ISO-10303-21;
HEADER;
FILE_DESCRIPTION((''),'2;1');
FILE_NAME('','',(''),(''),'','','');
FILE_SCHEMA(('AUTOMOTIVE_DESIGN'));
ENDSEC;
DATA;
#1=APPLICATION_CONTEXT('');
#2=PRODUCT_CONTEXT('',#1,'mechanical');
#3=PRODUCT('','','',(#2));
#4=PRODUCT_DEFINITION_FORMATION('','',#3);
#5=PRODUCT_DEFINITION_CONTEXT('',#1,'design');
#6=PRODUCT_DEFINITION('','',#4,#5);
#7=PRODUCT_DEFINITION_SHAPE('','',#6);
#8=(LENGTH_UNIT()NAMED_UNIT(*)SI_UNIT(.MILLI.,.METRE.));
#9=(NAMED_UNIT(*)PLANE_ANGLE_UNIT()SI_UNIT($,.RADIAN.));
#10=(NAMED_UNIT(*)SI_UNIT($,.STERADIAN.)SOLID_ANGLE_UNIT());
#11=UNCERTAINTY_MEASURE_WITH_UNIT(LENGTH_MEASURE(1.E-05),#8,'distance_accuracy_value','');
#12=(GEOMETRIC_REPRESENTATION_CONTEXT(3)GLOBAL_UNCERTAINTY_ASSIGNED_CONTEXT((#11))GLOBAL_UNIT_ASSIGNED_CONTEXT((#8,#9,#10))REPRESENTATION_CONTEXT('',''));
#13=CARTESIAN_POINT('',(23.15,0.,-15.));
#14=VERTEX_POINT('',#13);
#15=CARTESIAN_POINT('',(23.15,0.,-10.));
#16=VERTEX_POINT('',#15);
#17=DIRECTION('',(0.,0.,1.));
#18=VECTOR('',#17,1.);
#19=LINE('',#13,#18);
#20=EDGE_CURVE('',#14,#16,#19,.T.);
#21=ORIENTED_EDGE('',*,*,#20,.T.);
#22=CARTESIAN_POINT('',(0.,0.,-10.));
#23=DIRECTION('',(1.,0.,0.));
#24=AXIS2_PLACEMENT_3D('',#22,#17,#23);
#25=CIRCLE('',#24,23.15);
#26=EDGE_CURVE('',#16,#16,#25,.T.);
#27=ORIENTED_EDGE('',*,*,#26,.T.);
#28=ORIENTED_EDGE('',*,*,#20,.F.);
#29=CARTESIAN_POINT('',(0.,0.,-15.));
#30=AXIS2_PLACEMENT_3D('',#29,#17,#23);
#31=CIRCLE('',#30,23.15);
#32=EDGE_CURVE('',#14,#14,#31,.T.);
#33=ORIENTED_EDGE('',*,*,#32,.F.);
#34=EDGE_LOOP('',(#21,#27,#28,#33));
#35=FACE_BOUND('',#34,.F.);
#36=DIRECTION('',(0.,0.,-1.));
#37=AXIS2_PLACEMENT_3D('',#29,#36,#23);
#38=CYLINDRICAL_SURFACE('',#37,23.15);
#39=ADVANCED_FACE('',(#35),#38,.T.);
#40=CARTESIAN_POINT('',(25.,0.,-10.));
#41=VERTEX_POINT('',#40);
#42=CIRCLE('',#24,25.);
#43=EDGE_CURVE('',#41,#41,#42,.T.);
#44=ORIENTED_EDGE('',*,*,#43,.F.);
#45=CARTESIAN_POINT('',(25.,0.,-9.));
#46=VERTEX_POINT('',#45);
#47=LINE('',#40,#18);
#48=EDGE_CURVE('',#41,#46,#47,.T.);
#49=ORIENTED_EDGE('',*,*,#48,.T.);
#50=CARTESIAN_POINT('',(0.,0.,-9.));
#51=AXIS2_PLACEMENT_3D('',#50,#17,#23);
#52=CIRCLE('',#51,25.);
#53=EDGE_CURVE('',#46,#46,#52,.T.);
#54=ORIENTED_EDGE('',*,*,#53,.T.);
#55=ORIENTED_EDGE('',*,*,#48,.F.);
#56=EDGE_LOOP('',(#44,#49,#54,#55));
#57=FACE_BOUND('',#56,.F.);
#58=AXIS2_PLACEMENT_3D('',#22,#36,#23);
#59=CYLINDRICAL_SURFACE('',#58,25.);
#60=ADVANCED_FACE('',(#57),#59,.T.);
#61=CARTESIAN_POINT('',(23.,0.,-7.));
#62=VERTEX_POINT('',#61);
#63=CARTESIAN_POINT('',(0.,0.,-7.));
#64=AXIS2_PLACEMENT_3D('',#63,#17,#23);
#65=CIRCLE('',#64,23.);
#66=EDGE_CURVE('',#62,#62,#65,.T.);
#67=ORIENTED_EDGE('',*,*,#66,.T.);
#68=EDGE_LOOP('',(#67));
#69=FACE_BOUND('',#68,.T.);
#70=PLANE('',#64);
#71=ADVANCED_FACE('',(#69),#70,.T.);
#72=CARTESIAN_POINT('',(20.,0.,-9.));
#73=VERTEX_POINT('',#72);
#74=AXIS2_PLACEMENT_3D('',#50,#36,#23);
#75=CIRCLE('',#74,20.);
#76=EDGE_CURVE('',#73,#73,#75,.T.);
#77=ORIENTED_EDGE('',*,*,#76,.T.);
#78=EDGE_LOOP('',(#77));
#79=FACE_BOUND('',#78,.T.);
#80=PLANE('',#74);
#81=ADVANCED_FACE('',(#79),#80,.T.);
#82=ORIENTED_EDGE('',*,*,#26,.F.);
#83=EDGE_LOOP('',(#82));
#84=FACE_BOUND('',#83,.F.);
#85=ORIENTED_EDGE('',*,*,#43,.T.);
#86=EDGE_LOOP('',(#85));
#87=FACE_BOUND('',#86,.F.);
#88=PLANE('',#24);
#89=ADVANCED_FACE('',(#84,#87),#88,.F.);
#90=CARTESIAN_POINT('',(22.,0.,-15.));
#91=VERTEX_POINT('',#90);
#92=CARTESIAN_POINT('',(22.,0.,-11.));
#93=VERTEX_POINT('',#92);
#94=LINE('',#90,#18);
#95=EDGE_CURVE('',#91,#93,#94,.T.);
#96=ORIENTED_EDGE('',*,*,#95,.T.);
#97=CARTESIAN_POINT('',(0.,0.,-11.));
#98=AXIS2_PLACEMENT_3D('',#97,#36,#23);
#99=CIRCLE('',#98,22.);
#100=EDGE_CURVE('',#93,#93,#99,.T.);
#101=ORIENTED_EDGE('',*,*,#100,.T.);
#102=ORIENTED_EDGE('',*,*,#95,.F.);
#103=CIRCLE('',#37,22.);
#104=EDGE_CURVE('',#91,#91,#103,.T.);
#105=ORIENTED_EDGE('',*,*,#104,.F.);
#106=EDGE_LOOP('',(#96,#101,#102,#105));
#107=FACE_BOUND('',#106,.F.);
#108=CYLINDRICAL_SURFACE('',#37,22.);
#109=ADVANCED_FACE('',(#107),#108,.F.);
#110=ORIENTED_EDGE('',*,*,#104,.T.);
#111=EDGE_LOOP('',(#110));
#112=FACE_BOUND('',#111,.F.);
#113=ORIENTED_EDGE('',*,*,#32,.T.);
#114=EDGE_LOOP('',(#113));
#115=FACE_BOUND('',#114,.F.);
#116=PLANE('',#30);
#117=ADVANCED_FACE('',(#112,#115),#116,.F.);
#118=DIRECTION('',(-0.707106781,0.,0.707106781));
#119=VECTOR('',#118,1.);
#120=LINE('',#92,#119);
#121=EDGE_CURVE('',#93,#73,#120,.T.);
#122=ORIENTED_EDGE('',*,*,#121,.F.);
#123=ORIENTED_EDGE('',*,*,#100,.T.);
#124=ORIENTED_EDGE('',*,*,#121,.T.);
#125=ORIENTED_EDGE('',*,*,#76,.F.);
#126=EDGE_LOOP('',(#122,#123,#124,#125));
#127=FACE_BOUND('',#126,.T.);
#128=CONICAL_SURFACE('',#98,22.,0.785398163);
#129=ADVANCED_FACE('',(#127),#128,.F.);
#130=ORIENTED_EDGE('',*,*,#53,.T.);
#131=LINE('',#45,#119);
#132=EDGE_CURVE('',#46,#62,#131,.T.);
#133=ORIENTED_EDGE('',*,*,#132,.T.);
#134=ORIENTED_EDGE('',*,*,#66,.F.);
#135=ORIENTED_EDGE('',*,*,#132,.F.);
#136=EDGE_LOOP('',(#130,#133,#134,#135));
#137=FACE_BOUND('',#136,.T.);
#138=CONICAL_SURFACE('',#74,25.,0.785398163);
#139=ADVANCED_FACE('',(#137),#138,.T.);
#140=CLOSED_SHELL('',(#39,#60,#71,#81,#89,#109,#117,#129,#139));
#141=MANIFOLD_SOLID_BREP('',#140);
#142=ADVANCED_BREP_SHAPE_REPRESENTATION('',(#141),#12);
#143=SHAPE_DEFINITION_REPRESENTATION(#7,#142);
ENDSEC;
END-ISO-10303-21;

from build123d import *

# Parameters (mm, degrees)
SKETCH_R        = 23.15
PAD_DEPTH       = 5
SKETCH001_R     = 25
PAD001_DEPTH    = 3
CHAMFER_SIZE    = 2
SKETCH002_R     = 22
POCKET_DEPTH    = 6
CHAMFER001_SIZE = 2


with BuildPart() as part:
    # Sketch → Pad (new body)
    with BuildSketch(Plane.XY):
        Circle(SKETCH_R)
    extrude(amount=PAD_DEPTH)

    # Sketch001 (on Face3 of Pad) → Pad001 (join)
    with BuildSketch(Plane.XY.offset(5)):
        Circle(SKETCH001_R)
    extrude(amount=PAD001_DEPTH)

    # Chamfer
    chamfer_edges = [part.edges().sort_by_distance(p)[0] for p in [
        (-25, 0, 8),
    ]]
    chamfer(chamfer_edges, length=CHAMFER_SIZE)

    # Sketch002 (on Face6 of Chamfer) → Pocket (cut)
    with BuildSketch(Plane(origin=(0, 0, 0), x_dir=(1, 0, 0), z_dir=(0, 0, -1))):
        Circle(SKETCH002_R)
    extrude(amount=-POCKET_DEPTH, mode=Mode.SUBTRACT)

    # Chamfer001
    chamfer001_edges = [part.edges().sort_by_distance(p)[0] for p in [
        (-22, 0, 6),
    ]]
    chamfer(chamfer001_edges, length=CHAMFER001_SIZE)


with BuildPart() as part_1:
    # Body placement: moved
    add(part.part.moved(Location((0, 0, -15))))


solid = part_1.part
